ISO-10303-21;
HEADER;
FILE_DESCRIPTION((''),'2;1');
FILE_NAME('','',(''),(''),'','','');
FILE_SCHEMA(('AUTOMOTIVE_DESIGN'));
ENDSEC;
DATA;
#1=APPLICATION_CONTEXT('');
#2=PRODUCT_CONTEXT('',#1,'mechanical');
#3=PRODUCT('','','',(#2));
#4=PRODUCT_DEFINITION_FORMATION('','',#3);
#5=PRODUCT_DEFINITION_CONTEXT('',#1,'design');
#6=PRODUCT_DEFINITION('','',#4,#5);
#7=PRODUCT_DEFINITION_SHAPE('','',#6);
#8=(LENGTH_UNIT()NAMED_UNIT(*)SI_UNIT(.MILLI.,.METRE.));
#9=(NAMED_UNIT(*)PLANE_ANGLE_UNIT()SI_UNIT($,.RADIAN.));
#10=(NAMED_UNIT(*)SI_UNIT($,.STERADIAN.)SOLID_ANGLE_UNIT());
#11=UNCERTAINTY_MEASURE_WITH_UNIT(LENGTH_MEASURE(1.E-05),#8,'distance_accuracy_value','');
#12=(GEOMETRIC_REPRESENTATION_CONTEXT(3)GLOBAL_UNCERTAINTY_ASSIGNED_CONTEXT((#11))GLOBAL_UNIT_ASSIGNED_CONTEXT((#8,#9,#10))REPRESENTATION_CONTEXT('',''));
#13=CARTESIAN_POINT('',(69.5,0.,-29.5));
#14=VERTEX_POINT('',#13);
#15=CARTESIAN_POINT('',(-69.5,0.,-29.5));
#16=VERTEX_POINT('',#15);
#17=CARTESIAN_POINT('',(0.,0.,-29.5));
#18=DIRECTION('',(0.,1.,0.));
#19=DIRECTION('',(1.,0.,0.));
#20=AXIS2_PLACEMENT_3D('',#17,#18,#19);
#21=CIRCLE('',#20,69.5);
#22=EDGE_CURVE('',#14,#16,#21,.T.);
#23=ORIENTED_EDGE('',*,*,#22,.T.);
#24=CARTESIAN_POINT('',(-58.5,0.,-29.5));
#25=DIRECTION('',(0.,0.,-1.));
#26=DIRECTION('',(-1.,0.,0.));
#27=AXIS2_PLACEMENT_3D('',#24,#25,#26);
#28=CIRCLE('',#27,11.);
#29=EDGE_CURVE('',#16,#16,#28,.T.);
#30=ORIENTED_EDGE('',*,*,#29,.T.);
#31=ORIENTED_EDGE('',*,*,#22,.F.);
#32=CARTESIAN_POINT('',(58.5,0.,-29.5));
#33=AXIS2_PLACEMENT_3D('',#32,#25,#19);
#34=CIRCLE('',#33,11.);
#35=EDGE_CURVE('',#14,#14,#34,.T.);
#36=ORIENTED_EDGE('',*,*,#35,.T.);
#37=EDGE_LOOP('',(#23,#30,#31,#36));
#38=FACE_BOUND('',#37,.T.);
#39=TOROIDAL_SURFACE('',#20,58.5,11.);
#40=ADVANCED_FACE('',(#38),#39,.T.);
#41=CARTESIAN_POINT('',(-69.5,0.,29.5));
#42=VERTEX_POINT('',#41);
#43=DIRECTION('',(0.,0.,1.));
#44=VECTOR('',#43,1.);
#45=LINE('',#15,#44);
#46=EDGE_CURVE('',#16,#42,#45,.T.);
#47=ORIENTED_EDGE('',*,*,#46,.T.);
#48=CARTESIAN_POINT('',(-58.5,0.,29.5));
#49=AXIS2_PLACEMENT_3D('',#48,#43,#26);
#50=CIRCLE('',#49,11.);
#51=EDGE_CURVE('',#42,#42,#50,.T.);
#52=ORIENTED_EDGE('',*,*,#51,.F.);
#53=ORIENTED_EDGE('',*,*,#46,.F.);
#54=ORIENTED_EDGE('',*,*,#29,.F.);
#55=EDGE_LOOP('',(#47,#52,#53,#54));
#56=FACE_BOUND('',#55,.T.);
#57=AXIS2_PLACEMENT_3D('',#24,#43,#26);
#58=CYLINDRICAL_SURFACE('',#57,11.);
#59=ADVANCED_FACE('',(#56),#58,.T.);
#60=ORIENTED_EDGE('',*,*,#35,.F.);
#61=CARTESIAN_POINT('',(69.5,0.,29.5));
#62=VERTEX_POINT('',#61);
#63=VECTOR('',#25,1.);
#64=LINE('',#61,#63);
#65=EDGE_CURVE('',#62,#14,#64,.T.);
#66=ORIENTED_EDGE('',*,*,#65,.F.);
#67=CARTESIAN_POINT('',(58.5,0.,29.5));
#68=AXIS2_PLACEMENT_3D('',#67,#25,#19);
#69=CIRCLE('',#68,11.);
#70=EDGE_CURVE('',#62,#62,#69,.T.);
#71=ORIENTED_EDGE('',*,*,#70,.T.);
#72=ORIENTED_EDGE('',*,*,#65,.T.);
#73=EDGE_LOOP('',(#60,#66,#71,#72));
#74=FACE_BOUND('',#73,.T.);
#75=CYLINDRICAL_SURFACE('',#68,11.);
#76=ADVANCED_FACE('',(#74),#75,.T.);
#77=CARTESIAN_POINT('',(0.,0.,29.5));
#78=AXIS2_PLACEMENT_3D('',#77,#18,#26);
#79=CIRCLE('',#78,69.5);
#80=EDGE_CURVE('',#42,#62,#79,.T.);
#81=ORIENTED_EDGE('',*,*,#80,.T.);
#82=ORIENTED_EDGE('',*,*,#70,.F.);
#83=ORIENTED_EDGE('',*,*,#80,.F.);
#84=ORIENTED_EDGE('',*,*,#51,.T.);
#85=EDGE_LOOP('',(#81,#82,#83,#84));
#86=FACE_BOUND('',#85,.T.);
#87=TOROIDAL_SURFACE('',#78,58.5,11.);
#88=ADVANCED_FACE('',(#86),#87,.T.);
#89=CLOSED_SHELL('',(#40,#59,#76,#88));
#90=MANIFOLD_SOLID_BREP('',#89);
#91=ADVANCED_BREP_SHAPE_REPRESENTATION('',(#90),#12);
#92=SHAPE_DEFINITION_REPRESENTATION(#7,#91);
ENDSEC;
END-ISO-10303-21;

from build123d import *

# Parameters (mm, degrees)
F0_R = 11


with BuildPart() as f2:
    # F2: sweep along a path in F1
    with BuildLine(Plane.XZ) as f2_path:
        Line((47.5, 29.5), (47.5, 0))
        Line((47.5, 0), (47.5, -29.5))
        ThreePointArc((47.5, -29.5), (0, -77), (-47.5, -29.5))
        Line((-47.5, -29.5), (-47.5, 0))
        Line((-47.5, 0), (-47.5, 29.5))
        ThreePointArc((-47.5, 29.5), (0, 77), (47.5, 29.5))
    # F0 (on Top) → F2 (sweep)
    with BuildSketch(Plane.XY):
        with Locations((58.5, 0)):
            Circle(F0_R)
    sweep(path=f2_path.line)


solid = f2.part
